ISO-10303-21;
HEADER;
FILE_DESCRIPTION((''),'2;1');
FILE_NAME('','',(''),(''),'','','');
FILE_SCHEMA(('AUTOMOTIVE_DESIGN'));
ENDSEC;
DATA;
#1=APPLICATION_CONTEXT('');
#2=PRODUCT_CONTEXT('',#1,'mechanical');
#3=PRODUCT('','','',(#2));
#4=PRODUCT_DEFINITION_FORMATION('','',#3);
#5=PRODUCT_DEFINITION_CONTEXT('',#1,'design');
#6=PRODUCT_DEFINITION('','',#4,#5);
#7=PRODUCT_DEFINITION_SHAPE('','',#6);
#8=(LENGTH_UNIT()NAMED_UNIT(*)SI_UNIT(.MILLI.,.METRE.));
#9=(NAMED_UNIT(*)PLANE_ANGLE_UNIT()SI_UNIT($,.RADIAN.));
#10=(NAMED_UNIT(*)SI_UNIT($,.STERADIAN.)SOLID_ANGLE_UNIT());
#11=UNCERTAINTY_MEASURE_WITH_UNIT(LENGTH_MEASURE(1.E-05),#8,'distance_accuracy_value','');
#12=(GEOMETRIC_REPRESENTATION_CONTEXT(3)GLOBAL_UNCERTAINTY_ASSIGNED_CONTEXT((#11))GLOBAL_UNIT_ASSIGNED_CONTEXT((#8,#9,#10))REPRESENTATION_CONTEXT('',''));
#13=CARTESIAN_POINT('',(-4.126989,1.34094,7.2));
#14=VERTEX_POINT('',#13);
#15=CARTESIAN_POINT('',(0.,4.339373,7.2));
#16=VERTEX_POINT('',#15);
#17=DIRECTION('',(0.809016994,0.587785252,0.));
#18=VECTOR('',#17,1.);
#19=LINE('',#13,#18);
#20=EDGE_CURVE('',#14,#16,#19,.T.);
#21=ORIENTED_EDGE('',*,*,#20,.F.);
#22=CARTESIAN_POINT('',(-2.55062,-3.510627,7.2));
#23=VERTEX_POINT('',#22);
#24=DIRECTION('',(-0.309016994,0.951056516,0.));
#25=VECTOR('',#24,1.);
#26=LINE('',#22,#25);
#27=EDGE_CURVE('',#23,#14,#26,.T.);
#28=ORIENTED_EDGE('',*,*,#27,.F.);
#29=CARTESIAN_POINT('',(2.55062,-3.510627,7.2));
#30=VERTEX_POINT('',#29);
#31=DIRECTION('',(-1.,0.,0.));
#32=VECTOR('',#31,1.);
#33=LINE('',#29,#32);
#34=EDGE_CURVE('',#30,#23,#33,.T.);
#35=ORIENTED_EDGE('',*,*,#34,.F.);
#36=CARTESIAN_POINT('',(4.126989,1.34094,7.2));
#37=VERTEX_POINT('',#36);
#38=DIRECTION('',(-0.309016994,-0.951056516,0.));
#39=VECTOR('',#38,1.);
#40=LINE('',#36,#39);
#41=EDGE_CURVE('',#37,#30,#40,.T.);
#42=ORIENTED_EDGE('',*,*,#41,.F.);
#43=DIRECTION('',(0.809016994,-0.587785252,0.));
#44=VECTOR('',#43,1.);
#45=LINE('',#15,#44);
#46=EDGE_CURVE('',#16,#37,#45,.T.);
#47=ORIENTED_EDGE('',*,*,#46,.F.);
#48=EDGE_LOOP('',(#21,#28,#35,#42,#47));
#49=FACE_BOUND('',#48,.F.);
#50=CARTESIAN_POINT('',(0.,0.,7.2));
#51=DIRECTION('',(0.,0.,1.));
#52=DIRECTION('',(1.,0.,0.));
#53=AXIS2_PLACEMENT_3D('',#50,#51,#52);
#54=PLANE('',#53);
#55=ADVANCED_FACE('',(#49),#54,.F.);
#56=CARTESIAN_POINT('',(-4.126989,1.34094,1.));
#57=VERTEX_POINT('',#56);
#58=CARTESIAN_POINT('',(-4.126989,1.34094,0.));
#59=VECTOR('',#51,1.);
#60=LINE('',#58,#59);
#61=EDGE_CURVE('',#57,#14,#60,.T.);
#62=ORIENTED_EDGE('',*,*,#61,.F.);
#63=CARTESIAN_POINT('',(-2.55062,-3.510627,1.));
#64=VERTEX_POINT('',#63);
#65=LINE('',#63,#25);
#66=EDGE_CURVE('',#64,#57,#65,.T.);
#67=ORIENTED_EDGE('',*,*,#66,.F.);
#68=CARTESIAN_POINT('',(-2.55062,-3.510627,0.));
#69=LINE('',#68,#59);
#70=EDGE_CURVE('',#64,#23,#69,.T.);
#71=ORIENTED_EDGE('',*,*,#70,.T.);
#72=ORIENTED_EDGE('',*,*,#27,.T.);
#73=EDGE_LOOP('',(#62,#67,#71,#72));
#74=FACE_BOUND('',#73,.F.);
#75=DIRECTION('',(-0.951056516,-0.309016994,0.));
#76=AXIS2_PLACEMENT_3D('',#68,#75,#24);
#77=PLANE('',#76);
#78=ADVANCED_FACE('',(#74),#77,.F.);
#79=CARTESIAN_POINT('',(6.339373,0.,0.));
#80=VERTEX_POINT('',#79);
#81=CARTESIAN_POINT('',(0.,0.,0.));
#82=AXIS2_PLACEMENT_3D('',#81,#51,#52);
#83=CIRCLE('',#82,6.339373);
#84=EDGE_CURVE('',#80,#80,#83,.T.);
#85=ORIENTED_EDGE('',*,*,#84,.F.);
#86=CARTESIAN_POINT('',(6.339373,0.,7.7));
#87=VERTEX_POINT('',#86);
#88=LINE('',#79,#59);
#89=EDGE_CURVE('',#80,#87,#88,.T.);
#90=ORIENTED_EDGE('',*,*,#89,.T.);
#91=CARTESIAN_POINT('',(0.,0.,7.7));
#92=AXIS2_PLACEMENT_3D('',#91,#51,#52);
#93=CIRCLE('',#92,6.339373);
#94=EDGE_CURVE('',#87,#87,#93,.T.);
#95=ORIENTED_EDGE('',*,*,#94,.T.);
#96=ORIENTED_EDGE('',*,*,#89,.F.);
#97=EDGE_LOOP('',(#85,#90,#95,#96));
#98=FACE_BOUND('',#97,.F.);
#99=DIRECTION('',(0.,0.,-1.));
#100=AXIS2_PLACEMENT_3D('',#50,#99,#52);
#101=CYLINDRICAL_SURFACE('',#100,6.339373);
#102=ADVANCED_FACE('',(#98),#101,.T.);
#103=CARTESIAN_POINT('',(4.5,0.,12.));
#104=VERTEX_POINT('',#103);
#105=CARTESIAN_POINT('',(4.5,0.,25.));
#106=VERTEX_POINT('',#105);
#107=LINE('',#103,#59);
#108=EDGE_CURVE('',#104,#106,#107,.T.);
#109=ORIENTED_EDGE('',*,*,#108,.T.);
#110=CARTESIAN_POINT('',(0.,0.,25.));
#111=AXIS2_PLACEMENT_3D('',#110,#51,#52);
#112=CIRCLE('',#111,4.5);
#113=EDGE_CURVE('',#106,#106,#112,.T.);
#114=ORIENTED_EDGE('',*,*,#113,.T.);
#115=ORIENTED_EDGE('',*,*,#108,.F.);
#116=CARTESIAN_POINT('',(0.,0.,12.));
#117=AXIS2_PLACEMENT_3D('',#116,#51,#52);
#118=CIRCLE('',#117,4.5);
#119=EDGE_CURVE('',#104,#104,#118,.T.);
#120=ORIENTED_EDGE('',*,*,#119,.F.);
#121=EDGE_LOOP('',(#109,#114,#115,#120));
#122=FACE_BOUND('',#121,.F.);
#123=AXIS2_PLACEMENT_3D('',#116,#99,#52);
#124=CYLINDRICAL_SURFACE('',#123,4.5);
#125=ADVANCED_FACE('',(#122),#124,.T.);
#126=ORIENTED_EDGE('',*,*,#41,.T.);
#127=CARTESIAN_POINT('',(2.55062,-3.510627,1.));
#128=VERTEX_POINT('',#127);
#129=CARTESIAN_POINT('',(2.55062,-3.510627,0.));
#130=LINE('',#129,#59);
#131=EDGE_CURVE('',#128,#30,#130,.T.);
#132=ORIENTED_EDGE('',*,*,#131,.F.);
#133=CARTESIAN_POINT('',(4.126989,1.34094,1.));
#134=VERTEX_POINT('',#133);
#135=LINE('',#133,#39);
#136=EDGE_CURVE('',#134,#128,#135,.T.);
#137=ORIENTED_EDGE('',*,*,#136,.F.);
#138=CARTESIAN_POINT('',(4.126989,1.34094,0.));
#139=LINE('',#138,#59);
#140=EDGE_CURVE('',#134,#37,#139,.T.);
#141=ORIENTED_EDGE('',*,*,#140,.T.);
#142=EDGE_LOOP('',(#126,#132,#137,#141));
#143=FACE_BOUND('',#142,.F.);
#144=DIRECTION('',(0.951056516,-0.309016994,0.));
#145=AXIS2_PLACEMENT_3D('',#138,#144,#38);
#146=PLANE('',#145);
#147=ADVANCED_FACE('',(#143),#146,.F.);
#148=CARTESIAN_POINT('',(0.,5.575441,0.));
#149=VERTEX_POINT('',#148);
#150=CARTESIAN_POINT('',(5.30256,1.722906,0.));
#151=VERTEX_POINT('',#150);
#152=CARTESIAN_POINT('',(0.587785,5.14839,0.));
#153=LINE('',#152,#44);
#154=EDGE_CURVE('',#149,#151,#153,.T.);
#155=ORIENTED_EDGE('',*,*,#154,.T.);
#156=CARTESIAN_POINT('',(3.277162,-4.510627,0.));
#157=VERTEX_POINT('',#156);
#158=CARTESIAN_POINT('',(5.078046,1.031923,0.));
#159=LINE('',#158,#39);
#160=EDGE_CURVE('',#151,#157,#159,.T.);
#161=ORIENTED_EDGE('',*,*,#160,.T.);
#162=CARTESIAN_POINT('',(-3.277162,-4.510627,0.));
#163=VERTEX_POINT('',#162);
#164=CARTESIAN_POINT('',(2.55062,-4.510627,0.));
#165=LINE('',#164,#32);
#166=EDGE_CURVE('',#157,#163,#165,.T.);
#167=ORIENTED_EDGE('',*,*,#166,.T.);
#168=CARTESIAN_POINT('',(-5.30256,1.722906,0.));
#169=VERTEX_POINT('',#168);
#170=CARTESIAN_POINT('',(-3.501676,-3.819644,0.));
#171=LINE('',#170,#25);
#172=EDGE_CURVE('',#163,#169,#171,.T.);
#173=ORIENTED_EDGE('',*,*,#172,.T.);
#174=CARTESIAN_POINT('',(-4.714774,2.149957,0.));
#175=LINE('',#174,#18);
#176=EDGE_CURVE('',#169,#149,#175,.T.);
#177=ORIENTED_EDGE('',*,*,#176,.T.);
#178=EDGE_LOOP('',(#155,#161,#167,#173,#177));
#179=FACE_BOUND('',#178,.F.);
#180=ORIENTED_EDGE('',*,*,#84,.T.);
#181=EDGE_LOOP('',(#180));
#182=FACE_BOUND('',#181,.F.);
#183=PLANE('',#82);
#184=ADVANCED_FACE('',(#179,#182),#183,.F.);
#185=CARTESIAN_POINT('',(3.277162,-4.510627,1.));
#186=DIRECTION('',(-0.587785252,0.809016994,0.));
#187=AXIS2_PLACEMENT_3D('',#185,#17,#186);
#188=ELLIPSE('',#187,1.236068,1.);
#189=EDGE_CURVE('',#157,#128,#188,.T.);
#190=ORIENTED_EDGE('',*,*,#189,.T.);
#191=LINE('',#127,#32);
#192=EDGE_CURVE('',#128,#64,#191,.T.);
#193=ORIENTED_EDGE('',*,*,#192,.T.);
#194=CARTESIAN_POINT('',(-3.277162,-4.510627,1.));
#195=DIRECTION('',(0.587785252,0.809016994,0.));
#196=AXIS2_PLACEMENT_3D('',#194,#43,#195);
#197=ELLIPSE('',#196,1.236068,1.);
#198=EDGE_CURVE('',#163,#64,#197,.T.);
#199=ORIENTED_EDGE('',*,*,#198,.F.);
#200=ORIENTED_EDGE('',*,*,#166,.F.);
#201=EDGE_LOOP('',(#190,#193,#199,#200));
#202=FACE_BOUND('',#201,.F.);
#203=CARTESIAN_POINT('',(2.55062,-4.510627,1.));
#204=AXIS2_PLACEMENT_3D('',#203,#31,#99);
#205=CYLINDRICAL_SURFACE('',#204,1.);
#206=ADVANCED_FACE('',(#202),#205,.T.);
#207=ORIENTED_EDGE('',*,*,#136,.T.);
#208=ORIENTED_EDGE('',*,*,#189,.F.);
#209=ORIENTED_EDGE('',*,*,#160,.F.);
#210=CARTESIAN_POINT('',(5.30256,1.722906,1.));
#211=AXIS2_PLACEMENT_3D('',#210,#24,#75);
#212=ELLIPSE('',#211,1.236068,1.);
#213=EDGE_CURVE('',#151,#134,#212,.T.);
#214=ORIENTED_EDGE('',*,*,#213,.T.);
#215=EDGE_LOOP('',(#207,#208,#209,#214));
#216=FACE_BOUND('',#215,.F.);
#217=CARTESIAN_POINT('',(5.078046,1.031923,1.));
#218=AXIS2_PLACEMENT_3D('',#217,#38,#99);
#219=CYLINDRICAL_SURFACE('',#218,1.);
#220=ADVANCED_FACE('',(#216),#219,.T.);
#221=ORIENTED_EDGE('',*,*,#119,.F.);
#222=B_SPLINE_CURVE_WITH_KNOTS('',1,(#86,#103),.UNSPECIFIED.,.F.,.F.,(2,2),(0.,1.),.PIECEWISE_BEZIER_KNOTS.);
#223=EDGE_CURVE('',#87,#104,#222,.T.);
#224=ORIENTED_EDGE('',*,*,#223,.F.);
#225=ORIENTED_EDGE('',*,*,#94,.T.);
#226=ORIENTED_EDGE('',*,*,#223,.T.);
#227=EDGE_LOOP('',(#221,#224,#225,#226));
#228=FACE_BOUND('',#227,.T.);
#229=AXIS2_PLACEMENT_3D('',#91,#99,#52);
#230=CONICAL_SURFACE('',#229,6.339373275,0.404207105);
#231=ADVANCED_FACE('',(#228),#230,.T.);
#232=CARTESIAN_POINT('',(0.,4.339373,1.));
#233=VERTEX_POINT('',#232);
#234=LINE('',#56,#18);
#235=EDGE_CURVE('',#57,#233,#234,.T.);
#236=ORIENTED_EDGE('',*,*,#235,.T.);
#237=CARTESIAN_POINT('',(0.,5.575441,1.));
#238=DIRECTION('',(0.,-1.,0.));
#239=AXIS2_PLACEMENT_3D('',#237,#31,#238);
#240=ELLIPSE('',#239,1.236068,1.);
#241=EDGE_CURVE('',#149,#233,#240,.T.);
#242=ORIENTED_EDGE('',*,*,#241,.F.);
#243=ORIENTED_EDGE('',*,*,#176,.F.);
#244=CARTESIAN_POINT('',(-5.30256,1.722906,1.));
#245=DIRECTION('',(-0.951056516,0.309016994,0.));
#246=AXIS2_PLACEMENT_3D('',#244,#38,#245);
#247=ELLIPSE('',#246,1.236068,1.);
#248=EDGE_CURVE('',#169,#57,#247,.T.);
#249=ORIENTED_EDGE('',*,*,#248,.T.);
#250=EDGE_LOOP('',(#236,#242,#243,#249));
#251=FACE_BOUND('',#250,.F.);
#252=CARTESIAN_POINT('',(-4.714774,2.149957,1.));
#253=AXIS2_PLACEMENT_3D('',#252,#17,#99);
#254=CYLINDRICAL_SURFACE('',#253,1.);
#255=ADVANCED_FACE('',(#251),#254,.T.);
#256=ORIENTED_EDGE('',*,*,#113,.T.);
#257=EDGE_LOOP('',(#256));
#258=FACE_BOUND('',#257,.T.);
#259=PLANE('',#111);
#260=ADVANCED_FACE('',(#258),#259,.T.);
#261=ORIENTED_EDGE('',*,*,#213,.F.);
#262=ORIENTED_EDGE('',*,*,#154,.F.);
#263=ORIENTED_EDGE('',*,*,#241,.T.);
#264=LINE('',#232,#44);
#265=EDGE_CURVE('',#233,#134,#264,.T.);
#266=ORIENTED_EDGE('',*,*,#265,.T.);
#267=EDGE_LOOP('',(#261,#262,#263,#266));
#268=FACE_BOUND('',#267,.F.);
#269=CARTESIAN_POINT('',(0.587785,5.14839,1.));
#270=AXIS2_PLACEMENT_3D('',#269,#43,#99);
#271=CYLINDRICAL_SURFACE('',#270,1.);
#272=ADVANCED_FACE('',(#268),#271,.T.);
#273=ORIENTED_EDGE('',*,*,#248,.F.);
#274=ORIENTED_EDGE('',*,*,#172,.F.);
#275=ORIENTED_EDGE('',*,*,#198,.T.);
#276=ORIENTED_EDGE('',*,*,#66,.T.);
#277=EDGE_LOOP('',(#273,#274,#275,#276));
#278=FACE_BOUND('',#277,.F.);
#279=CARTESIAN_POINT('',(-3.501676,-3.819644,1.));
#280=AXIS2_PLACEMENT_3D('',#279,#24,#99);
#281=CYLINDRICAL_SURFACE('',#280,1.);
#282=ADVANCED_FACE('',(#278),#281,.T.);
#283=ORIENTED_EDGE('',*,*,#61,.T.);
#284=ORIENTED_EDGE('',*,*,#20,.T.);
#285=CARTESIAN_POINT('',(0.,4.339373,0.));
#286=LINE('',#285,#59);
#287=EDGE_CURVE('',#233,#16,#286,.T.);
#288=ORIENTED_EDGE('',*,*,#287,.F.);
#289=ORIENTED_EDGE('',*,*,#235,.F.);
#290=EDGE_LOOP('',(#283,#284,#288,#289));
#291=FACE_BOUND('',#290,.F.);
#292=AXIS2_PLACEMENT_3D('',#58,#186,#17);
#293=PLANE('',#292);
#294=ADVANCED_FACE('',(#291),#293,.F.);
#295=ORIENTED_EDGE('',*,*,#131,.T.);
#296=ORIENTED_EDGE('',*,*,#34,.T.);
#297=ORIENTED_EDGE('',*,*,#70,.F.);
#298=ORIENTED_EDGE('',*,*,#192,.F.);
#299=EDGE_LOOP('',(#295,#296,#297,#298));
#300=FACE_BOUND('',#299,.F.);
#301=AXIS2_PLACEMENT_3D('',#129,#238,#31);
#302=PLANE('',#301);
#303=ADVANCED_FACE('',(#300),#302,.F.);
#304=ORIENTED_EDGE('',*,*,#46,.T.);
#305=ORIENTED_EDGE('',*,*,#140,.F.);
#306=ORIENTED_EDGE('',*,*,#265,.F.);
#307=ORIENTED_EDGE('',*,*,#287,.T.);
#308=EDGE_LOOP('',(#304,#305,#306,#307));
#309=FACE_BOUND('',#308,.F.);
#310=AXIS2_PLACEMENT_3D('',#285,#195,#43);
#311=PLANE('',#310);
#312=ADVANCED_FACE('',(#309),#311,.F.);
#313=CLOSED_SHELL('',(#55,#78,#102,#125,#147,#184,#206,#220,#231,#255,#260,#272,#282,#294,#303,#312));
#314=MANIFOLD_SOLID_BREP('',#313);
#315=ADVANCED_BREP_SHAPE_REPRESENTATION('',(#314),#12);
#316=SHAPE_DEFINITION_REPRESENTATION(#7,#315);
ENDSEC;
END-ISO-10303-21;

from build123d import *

# Parameters (mm, degrees)
F0_R      = 6.3393732753
F1_DEPTH  = 7.2
F2_R      = 6.3393732753
F3_DEPTH  = 0.5
F3_FACE_R = 6.3393732753
F5_R      = 4.5
F7_DEPTH  = 13
F8_R      = 1


with BuildPart() as f1:
    # F0 (on Top) → F1 (new body)
    with BuildSketch(Plane.XY):
        Circle(F0_R)
        Polygon((-2.5506196154, -3.5106267247), (-4.1269892301, 1.340940087), (0, 4.3393732753), (4.1269892301, 1.340940087), (2.5506196154, -3.5106267247), align=None, mode=Mode.SUBTRACT)
    extrude(amount=F1_DEPTH)

    # F2 (on face) → F3 (join)
    with BuildSketch(Plane.XY.offset(7.2)):
        Circle(F2_R)
        Polygon((2.5506196154, -3.5106267247), (-2.5506196154, -3.5106267247), (-4.1269892301, 1.340940087), (0, 4.3393732753), (4.1269892301, 1.340940087), align=None, mode=Mode.SUBTRACT)
        Polygon((-4.1269892301, 1.340940087), (-2.5506196154, -3.5106267247), (2.5506196154, -3.5106267247), (4.1269892301, 1.340940087), (0, 4.3393732753), align=None)
    extrude(amount=F3_DEPTH)

    # F3_face (on face) → F6 section 0
    with BuildSketch(Plane.XY.offset(7.7)):
        Circle(F3_FACE_R)
    # F5 (on offset) → F6 section 1
    with BuildSketch(Plane.XY.offset(12)):
        Circle(F5_R)
    loft()

    # F7 (add): a face of the model
    f7_faces = [f1.faces().sort_by_distance(p)[0] for p in [
        (0, 0, 12),
    ]]
    extrude(f7_faces, amount=F7_DEPTH)

    # F8
    f8_edges = [f1.edges().sort_by_distance(p)[0] for p in [
        (-3.338804, -1.084843, 0),
        (0, -3.510627, 0),
        (3.338804, -1.084843, 0),
        (2.063495, 2.840157, 0),
        (-2.063495, 2.840157, 0),
    ]]
    fillet(f8_edges, radius=F8_R)


solid = f1.part
